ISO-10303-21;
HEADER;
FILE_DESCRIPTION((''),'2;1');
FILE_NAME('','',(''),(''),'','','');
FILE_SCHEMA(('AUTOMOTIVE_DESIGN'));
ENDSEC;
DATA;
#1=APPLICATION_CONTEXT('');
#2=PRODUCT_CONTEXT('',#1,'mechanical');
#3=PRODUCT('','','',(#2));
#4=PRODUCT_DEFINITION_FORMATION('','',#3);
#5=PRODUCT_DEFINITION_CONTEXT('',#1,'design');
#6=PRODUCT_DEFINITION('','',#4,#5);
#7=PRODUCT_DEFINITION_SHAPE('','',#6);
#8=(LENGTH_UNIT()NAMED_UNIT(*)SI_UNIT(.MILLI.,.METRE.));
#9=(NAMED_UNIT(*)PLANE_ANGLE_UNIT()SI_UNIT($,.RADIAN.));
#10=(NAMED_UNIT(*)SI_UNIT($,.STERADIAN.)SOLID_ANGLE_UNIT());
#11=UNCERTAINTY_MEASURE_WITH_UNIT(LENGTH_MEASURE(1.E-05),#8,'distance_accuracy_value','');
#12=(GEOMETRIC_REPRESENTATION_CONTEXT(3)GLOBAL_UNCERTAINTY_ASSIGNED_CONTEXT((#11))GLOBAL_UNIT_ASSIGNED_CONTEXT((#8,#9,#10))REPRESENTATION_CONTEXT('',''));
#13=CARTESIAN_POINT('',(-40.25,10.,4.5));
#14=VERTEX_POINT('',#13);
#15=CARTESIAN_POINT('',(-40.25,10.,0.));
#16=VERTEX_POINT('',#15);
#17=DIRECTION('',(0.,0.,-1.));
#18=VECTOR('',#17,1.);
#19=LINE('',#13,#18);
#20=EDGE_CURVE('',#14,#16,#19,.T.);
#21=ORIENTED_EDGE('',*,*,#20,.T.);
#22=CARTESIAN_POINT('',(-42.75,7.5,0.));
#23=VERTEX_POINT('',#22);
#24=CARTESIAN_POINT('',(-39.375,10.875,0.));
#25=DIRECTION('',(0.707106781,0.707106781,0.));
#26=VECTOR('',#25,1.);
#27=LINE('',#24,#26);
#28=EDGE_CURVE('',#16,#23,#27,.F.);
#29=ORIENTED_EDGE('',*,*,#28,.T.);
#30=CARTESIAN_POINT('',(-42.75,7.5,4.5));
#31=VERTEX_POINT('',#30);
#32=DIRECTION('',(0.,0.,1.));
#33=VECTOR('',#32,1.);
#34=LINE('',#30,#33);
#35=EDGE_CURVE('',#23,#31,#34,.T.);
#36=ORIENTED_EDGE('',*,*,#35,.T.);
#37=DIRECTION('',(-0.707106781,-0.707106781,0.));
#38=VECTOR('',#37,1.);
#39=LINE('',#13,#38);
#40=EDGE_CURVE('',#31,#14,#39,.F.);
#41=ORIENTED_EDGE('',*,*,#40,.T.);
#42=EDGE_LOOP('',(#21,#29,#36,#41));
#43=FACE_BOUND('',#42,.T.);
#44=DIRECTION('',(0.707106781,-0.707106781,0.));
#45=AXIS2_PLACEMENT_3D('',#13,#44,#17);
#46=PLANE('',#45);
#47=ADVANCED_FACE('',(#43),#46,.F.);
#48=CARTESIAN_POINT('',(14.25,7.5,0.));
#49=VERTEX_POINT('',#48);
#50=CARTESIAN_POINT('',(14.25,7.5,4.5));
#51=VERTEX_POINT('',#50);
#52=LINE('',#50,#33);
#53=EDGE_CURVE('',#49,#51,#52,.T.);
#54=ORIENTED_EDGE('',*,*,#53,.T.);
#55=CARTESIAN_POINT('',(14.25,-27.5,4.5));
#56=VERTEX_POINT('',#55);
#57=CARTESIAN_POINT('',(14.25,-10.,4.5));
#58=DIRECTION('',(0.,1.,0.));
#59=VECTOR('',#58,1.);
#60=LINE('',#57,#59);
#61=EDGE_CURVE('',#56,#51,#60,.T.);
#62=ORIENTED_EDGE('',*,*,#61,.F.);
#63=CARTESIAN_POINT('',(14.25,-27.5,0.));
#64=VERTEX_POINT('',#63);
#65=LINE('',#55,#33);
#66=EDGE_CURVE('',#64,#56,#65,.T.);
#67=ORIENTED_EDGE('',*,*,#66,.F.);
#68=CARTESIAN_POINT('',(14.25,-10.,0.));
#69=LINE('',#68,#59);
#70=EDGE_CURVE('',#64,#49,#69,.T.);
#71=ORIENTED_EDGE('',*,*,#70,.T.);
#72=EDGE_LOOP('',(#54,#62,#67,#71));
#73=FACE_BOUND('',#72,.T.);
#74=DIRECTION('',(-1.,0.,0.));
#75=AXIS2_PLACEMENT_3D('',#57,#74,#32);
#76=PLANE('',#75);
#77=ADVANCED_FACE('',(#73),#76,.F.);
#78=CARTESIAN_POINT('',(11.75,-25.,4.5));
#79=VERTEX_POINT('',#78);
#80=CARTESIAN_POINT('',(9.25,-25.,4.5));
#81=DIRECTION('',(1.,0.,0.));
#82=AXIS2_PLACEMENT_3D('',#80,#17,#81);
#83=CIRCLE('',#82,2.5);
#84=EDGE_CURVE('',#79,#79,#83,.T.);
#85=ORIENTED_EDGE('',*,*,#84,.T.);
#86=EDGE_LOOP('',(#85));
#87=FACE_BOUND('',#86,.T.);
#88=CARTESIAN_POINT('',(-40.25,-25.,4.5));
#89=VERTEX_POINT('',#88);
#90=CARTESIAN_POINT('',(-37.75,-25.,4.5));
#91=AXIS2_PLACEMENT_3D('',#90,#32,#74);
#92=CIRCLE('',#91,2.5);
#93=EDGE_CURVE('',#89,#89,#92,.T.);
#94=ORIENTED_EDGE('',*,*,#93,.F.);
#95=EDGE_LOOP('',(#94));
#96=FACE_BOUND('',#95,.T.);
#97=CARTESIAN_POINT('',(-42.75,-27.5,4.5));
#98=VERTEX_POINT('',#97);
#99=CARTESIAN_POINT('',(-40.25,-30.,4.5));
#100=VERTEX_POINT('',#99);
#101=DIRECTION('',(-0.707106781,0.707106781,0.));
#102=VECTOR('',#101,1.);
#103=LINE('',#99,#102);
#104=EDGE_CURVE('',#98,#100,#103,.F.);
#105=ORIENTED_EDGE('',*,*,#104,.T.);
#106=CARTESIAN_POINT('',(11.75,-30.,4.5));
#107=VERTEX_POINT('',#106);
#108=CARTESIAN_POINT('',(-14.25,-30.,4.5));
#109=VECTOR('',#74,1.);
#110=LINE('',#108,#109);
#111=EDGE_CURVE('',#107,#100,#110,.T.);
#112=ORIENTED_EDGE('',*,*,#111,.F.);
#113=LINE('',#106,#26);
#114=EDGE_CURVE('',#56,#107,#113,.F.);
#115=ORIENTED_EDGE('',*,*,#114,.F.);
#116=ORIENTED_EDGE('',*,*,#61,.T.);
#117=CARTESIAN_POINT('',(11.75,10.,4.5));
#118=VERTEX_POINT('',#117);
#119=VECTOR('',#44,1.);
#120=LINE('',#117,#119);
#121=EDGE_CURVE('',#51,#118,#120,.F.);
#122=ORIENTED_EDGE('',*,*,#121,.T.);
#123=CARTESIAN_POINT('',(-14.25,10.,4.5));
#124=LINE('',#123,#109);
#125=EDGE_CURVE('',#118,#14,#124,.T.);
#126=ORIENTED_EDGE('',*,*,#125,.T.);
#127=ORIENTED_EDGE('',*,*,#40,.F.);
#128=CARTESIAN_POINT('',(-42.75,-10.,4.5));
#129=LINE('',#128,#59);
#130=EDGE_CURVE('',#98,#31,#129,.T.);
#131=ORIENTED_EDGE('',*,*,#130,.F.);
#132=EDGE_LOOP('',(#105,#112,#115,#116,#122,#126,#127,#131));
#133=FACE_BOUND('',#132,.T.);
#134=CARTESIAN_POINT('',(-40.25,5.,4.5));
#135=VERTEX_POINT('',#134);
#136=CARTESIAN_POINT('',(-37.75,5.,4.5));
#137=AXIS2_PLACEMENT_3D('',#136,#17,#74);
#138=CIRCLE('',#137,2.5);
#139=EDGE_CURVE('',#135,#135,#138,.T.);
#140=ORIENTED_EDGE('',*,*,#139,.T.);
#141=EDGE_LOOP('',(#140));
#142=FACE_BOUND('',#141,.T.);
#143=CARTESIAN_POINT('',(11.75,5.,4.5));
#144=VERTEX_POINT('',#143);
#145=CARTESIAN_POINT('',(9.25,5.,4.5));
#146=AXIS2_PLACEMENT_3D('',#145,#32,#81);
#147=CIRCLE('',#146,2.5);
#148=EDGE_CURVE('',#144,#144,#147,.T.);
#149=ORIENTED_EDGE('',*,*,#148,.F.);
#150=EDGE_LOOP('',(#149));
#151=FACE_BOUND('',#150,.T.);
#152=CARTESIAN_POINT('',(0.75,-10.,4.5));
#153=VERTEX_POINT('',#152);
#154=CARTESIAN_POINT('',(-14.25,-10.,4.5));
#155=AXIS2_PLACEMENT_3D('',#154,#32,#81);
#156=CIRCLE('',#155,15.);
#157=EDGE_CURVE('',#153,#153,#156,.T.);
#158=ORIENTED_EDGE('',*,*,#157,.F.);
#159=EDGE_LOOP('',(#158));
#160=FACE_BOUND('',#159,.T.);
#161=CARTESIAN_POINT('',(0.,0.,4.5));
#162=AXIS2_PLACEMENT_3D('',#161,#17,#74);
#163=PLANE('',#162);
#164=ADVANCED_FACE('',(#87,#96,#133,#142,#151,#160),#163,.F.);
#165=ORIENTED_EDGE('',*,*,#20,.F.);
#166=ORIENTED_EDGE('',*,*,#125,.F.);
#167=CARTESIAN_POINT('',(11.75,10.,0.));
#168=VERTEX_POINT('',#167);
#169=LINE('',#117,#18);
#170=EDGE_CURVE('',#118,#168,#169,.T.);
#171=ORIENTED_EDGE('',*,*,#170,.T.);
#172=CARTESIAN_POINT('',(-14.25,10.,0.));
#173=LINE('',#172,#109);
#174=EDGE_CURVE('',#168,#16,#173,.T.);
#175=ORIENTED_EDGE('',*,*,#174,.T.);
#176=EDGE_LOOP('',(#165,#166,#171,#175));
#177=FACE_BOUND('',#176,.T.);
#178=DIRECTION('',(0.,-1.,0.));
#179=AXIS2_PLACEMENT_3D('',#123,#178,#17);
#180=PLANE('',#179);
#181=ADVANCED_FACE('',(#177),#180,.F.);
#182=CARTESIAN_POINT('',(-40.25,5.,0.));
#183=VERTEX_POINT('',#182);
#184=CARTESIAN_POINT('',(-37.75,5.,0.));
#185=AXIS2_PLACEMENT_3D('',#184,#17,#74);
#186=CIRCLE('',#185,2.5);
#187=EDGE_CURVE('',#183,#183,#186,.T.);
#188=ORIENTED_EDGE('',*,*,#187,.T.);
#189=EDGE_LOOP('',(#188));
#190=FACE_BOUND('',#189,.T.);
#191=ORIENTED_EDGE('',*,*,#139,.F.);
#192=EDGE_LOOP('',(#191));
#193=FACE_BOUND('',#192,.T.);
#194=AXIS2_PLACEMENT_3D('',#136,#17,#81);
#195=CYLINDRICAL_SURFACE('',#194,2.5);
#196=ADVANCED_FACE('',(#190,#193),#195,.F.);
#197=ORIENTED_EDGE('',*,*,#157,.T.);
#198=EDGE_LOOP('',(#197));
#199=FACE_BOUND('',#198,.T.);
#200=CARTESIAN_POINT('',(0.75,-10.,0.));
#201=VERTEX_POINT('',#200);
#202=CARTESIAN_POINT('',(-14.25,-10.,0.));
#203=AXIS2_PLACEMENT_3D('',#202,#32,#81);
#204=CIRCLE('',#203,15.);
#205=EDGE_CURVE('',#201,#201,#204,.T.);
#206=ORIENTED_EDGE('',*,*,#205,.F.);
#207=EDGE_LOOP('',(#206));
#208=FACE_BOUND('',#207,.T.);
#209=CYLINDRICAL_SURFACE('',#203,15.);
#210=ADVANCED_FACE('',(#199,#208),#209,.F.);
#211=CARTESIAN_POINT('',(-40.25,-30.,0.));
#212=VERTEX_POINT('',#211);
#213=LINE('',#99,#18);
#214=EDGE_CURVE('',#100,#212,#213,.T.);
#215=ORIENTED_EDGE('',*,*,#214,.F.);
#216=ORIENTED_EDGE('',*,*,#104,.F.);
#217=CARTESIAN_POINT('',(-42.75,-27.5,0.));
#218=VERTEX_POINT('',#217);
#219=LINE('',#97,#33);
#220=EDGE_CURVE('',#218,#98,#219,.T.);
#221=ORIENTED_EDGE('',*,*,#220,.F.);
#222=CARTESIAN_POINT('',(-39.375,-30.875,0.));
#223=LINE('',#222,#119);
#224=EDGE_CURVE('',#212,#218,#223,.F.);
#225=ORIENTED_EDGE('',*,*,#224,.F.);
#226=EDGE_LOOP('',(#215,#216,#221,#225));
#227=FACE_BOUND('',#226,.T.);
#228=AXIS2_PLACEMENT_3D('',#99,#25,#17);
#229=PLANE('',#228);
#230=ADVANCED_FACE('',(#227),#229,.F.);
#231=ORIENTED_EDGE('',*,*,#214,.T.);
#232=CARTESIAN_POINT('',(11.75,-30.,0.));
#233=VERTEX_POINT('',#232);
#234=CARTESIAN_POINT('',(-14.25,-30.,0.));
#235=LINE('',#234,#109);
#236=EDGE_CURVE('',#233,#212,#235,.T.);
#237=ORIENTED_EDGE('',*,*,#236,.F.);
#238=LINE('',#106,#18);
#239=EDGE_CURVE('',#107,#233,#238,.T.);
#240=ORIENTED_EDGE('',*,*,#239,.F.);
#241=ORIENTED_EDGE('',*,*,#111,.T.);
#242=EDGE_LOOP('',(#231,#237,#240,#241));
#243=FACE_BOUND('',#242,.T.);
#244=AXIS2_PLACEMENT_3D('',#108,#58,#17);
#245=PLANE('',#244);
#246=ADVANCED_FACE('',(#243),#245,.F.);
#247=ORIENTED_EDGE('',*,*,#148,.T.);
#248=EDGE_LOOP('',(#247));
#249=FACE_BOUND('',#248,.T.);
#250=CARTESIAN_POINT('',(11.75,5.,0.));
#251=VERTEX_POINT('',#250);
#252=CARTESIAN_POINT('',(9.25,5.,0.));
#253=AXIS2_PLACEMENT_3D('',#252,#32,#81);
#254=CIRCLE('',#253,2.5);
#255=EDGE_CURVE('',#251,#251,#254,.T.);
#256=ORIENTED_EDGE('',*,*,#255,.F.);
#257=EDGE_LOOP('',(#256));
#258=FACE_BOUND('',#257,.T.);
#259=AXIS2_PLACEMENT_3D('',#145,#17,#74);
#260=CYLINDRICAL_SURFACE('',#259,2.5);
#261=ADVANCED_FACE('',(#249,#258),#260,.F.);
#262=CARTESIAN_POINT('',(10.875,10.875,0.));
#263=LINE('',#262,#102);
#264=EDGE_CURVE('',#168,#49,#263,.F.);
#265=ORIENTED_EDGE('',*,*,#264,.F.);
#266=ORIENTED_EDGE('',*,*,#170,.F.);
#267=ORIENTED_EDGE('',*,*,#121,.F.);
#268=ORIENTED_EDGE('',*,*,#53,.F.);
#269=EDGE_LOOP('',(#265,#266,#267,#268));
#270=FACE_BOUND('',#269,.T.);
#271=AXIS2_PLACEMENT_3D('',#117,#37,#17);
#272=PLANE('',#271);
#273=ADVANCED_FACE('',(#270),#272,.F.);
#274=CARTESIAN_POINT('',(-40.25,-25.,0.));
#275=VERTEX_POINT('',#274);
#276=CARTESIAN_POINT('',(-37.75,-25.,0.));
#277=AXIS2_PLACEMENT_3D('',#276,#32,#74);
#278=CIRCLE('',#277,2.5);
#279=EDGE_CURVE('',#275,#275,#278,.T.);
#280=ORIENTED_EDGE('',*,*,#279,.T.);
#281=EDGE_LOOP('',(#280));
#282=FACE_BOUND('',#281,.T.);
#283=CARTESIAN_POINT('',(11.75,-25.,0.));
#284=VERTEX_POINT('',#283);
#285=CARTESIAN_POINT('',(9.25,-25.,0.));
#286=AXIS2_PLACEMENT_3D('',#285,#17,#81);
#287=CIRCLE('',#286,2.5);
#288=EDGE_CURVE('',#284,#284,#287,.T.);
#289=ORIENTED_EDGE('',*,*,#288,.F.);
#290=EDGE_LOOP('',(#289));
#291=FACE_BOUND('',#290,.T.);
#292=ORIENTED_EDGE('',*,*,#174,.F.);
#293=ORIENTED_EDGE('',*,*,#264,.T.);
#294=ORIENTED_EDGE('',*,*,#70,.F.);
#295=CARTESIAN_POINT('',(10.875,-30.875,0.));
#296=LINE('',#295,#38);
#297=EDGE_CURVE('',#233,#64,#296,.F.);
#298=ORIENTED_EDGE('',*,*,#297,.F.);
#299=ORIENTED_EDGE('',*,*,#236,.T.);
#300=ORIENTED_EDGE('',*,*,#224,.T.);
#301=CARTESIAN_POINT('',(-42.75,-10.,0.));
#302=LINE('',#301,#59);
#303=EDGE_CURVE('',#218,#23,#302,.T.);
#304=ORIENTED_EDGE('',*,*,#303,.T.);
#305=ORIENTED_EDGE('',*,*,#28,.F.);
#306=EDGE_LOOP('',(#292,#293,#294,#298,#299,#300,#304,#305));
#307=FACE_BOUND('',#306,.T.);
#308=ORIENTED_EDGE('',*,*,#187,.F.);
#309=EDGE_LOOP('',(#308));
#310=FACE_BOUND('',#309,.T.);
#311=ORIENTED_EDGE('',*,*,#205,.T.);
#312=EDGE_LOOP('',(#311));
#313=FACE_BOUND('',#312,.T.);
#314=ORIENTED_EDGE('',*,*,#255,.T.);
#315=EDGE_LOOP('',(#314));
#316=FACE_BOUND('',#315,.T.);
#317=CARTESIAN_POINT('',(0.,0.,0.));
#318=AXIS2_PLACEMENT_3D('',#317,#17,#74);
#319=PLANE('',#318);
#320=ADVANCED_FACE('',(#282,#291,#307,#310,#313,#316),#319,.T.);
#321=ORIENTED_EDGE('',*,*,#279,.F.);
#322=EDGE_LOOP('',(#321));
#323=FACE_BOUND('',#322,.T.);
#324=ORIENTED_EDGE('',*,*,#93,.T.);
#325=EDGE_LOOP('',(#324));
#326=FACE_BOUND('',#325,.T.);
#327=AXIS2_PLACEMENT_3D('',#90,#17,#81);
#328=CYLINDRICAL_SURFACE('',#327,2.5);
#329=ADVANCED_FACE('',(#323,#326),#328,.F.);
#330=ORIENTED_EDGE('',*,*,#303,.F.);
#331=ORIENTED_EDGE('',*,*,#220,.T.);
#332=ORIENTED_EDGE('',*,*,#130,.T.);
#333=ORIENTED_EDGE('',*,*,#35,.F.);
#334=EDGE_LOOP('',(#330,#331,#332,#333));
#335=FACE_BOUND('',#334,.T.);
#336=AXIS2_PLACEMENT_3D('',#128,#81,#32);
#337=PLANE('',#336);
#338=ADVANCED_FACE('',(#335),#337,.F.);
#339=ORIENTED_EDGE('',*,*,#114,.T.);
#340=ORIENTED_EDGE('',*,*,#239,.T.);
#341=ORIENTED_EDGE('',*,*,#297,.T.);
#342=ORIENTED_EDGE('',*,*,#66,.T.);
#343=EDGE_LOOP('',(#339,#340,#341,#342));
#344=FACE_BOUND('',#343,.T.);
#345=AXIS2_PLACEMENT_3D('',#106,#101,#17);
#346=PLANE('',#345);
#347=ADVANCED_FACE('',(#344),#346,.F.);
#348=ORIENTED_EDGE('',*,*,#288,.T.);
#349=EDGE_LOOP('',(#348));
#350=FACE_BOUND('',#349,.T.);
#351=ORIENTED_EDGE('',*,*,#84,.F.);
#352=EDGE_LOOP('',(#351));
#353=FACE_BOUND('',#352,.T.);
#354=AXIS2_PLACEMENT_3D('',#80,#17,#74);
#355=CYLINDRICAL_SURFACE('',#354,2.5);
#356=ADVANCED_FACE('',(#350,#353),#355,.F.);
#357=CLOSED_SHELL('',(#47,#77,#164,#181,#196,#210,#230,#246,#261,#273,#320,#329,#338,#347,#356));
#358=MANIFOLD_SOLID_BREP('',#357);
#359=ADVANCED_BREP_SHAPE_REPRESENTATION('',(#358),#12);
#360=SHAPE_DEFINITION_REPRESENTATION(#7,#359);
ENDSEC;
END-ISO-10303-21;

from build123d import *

# Parameters (mm, degrees)
SKETCH_1_W          = 28.5
SKETCH_1_H          = 20
SKETCH_1_R          = 2.5
EXTRUDE_1_DEPTH     = 4.5
CHAMFER_1_SIZE      = 2.5
SKETCH_2_R          = 15
CUT_EXTRUDE_1_DEPTH = 5.5


with BuildPart() as part:
    # Эскиз1 → Бобышка-Вытянуть1 (new body)
    with BuildSketch(Plane.XY):
        Rectangle(SKETCH_1_W, SKETCH_1_H)
        with Locations((9.25, 5)):
            Circle(SKETCH_1_R, mode=Mode.SUBTRACT)
    extrude(amount=EXTRUDE_1_DEPTH)

    # Фаска1
    chamfer_1_edges = [part.edges().sort_by_distance(p)[0] for p in [
        (14.25, 10, 2.25),
    ]]
    chamfer(chamfer_1_edges, length=CHAMFER_1_SIZE)

    # Зеркальное отражение1: part across plane


with BuildPart() as part_1:
    add(part.part)
    add(part.part.mirror(Plane(origin=(-14.25, -10, 4.5), x_dir=(0, 0, 1), z_dir=(0, 1, 0))))

    # Зеркальное отражение2: part across plane


with BuildPart() as part_2:
    add(part_1.part)
    add(part_1.part.mirror(Plane(origin=(-14.25, -10, 4.5), x_dir=(0, 0, 1), z_dir=(1, 0, 0))))

    # Эскиз2 → Вырез-Вытянуть1 (cut, through all)
    with BuildSketch(Plane.XY.offset(4.5)):
        with Locations((-14.25, -10)):
            Circle(SKETCH_2_R)
    extrude(amount=-CUT_EXTRUDE_1_DEPTH, mode=Mode.SUBTRACT)


solid = part_2.part
